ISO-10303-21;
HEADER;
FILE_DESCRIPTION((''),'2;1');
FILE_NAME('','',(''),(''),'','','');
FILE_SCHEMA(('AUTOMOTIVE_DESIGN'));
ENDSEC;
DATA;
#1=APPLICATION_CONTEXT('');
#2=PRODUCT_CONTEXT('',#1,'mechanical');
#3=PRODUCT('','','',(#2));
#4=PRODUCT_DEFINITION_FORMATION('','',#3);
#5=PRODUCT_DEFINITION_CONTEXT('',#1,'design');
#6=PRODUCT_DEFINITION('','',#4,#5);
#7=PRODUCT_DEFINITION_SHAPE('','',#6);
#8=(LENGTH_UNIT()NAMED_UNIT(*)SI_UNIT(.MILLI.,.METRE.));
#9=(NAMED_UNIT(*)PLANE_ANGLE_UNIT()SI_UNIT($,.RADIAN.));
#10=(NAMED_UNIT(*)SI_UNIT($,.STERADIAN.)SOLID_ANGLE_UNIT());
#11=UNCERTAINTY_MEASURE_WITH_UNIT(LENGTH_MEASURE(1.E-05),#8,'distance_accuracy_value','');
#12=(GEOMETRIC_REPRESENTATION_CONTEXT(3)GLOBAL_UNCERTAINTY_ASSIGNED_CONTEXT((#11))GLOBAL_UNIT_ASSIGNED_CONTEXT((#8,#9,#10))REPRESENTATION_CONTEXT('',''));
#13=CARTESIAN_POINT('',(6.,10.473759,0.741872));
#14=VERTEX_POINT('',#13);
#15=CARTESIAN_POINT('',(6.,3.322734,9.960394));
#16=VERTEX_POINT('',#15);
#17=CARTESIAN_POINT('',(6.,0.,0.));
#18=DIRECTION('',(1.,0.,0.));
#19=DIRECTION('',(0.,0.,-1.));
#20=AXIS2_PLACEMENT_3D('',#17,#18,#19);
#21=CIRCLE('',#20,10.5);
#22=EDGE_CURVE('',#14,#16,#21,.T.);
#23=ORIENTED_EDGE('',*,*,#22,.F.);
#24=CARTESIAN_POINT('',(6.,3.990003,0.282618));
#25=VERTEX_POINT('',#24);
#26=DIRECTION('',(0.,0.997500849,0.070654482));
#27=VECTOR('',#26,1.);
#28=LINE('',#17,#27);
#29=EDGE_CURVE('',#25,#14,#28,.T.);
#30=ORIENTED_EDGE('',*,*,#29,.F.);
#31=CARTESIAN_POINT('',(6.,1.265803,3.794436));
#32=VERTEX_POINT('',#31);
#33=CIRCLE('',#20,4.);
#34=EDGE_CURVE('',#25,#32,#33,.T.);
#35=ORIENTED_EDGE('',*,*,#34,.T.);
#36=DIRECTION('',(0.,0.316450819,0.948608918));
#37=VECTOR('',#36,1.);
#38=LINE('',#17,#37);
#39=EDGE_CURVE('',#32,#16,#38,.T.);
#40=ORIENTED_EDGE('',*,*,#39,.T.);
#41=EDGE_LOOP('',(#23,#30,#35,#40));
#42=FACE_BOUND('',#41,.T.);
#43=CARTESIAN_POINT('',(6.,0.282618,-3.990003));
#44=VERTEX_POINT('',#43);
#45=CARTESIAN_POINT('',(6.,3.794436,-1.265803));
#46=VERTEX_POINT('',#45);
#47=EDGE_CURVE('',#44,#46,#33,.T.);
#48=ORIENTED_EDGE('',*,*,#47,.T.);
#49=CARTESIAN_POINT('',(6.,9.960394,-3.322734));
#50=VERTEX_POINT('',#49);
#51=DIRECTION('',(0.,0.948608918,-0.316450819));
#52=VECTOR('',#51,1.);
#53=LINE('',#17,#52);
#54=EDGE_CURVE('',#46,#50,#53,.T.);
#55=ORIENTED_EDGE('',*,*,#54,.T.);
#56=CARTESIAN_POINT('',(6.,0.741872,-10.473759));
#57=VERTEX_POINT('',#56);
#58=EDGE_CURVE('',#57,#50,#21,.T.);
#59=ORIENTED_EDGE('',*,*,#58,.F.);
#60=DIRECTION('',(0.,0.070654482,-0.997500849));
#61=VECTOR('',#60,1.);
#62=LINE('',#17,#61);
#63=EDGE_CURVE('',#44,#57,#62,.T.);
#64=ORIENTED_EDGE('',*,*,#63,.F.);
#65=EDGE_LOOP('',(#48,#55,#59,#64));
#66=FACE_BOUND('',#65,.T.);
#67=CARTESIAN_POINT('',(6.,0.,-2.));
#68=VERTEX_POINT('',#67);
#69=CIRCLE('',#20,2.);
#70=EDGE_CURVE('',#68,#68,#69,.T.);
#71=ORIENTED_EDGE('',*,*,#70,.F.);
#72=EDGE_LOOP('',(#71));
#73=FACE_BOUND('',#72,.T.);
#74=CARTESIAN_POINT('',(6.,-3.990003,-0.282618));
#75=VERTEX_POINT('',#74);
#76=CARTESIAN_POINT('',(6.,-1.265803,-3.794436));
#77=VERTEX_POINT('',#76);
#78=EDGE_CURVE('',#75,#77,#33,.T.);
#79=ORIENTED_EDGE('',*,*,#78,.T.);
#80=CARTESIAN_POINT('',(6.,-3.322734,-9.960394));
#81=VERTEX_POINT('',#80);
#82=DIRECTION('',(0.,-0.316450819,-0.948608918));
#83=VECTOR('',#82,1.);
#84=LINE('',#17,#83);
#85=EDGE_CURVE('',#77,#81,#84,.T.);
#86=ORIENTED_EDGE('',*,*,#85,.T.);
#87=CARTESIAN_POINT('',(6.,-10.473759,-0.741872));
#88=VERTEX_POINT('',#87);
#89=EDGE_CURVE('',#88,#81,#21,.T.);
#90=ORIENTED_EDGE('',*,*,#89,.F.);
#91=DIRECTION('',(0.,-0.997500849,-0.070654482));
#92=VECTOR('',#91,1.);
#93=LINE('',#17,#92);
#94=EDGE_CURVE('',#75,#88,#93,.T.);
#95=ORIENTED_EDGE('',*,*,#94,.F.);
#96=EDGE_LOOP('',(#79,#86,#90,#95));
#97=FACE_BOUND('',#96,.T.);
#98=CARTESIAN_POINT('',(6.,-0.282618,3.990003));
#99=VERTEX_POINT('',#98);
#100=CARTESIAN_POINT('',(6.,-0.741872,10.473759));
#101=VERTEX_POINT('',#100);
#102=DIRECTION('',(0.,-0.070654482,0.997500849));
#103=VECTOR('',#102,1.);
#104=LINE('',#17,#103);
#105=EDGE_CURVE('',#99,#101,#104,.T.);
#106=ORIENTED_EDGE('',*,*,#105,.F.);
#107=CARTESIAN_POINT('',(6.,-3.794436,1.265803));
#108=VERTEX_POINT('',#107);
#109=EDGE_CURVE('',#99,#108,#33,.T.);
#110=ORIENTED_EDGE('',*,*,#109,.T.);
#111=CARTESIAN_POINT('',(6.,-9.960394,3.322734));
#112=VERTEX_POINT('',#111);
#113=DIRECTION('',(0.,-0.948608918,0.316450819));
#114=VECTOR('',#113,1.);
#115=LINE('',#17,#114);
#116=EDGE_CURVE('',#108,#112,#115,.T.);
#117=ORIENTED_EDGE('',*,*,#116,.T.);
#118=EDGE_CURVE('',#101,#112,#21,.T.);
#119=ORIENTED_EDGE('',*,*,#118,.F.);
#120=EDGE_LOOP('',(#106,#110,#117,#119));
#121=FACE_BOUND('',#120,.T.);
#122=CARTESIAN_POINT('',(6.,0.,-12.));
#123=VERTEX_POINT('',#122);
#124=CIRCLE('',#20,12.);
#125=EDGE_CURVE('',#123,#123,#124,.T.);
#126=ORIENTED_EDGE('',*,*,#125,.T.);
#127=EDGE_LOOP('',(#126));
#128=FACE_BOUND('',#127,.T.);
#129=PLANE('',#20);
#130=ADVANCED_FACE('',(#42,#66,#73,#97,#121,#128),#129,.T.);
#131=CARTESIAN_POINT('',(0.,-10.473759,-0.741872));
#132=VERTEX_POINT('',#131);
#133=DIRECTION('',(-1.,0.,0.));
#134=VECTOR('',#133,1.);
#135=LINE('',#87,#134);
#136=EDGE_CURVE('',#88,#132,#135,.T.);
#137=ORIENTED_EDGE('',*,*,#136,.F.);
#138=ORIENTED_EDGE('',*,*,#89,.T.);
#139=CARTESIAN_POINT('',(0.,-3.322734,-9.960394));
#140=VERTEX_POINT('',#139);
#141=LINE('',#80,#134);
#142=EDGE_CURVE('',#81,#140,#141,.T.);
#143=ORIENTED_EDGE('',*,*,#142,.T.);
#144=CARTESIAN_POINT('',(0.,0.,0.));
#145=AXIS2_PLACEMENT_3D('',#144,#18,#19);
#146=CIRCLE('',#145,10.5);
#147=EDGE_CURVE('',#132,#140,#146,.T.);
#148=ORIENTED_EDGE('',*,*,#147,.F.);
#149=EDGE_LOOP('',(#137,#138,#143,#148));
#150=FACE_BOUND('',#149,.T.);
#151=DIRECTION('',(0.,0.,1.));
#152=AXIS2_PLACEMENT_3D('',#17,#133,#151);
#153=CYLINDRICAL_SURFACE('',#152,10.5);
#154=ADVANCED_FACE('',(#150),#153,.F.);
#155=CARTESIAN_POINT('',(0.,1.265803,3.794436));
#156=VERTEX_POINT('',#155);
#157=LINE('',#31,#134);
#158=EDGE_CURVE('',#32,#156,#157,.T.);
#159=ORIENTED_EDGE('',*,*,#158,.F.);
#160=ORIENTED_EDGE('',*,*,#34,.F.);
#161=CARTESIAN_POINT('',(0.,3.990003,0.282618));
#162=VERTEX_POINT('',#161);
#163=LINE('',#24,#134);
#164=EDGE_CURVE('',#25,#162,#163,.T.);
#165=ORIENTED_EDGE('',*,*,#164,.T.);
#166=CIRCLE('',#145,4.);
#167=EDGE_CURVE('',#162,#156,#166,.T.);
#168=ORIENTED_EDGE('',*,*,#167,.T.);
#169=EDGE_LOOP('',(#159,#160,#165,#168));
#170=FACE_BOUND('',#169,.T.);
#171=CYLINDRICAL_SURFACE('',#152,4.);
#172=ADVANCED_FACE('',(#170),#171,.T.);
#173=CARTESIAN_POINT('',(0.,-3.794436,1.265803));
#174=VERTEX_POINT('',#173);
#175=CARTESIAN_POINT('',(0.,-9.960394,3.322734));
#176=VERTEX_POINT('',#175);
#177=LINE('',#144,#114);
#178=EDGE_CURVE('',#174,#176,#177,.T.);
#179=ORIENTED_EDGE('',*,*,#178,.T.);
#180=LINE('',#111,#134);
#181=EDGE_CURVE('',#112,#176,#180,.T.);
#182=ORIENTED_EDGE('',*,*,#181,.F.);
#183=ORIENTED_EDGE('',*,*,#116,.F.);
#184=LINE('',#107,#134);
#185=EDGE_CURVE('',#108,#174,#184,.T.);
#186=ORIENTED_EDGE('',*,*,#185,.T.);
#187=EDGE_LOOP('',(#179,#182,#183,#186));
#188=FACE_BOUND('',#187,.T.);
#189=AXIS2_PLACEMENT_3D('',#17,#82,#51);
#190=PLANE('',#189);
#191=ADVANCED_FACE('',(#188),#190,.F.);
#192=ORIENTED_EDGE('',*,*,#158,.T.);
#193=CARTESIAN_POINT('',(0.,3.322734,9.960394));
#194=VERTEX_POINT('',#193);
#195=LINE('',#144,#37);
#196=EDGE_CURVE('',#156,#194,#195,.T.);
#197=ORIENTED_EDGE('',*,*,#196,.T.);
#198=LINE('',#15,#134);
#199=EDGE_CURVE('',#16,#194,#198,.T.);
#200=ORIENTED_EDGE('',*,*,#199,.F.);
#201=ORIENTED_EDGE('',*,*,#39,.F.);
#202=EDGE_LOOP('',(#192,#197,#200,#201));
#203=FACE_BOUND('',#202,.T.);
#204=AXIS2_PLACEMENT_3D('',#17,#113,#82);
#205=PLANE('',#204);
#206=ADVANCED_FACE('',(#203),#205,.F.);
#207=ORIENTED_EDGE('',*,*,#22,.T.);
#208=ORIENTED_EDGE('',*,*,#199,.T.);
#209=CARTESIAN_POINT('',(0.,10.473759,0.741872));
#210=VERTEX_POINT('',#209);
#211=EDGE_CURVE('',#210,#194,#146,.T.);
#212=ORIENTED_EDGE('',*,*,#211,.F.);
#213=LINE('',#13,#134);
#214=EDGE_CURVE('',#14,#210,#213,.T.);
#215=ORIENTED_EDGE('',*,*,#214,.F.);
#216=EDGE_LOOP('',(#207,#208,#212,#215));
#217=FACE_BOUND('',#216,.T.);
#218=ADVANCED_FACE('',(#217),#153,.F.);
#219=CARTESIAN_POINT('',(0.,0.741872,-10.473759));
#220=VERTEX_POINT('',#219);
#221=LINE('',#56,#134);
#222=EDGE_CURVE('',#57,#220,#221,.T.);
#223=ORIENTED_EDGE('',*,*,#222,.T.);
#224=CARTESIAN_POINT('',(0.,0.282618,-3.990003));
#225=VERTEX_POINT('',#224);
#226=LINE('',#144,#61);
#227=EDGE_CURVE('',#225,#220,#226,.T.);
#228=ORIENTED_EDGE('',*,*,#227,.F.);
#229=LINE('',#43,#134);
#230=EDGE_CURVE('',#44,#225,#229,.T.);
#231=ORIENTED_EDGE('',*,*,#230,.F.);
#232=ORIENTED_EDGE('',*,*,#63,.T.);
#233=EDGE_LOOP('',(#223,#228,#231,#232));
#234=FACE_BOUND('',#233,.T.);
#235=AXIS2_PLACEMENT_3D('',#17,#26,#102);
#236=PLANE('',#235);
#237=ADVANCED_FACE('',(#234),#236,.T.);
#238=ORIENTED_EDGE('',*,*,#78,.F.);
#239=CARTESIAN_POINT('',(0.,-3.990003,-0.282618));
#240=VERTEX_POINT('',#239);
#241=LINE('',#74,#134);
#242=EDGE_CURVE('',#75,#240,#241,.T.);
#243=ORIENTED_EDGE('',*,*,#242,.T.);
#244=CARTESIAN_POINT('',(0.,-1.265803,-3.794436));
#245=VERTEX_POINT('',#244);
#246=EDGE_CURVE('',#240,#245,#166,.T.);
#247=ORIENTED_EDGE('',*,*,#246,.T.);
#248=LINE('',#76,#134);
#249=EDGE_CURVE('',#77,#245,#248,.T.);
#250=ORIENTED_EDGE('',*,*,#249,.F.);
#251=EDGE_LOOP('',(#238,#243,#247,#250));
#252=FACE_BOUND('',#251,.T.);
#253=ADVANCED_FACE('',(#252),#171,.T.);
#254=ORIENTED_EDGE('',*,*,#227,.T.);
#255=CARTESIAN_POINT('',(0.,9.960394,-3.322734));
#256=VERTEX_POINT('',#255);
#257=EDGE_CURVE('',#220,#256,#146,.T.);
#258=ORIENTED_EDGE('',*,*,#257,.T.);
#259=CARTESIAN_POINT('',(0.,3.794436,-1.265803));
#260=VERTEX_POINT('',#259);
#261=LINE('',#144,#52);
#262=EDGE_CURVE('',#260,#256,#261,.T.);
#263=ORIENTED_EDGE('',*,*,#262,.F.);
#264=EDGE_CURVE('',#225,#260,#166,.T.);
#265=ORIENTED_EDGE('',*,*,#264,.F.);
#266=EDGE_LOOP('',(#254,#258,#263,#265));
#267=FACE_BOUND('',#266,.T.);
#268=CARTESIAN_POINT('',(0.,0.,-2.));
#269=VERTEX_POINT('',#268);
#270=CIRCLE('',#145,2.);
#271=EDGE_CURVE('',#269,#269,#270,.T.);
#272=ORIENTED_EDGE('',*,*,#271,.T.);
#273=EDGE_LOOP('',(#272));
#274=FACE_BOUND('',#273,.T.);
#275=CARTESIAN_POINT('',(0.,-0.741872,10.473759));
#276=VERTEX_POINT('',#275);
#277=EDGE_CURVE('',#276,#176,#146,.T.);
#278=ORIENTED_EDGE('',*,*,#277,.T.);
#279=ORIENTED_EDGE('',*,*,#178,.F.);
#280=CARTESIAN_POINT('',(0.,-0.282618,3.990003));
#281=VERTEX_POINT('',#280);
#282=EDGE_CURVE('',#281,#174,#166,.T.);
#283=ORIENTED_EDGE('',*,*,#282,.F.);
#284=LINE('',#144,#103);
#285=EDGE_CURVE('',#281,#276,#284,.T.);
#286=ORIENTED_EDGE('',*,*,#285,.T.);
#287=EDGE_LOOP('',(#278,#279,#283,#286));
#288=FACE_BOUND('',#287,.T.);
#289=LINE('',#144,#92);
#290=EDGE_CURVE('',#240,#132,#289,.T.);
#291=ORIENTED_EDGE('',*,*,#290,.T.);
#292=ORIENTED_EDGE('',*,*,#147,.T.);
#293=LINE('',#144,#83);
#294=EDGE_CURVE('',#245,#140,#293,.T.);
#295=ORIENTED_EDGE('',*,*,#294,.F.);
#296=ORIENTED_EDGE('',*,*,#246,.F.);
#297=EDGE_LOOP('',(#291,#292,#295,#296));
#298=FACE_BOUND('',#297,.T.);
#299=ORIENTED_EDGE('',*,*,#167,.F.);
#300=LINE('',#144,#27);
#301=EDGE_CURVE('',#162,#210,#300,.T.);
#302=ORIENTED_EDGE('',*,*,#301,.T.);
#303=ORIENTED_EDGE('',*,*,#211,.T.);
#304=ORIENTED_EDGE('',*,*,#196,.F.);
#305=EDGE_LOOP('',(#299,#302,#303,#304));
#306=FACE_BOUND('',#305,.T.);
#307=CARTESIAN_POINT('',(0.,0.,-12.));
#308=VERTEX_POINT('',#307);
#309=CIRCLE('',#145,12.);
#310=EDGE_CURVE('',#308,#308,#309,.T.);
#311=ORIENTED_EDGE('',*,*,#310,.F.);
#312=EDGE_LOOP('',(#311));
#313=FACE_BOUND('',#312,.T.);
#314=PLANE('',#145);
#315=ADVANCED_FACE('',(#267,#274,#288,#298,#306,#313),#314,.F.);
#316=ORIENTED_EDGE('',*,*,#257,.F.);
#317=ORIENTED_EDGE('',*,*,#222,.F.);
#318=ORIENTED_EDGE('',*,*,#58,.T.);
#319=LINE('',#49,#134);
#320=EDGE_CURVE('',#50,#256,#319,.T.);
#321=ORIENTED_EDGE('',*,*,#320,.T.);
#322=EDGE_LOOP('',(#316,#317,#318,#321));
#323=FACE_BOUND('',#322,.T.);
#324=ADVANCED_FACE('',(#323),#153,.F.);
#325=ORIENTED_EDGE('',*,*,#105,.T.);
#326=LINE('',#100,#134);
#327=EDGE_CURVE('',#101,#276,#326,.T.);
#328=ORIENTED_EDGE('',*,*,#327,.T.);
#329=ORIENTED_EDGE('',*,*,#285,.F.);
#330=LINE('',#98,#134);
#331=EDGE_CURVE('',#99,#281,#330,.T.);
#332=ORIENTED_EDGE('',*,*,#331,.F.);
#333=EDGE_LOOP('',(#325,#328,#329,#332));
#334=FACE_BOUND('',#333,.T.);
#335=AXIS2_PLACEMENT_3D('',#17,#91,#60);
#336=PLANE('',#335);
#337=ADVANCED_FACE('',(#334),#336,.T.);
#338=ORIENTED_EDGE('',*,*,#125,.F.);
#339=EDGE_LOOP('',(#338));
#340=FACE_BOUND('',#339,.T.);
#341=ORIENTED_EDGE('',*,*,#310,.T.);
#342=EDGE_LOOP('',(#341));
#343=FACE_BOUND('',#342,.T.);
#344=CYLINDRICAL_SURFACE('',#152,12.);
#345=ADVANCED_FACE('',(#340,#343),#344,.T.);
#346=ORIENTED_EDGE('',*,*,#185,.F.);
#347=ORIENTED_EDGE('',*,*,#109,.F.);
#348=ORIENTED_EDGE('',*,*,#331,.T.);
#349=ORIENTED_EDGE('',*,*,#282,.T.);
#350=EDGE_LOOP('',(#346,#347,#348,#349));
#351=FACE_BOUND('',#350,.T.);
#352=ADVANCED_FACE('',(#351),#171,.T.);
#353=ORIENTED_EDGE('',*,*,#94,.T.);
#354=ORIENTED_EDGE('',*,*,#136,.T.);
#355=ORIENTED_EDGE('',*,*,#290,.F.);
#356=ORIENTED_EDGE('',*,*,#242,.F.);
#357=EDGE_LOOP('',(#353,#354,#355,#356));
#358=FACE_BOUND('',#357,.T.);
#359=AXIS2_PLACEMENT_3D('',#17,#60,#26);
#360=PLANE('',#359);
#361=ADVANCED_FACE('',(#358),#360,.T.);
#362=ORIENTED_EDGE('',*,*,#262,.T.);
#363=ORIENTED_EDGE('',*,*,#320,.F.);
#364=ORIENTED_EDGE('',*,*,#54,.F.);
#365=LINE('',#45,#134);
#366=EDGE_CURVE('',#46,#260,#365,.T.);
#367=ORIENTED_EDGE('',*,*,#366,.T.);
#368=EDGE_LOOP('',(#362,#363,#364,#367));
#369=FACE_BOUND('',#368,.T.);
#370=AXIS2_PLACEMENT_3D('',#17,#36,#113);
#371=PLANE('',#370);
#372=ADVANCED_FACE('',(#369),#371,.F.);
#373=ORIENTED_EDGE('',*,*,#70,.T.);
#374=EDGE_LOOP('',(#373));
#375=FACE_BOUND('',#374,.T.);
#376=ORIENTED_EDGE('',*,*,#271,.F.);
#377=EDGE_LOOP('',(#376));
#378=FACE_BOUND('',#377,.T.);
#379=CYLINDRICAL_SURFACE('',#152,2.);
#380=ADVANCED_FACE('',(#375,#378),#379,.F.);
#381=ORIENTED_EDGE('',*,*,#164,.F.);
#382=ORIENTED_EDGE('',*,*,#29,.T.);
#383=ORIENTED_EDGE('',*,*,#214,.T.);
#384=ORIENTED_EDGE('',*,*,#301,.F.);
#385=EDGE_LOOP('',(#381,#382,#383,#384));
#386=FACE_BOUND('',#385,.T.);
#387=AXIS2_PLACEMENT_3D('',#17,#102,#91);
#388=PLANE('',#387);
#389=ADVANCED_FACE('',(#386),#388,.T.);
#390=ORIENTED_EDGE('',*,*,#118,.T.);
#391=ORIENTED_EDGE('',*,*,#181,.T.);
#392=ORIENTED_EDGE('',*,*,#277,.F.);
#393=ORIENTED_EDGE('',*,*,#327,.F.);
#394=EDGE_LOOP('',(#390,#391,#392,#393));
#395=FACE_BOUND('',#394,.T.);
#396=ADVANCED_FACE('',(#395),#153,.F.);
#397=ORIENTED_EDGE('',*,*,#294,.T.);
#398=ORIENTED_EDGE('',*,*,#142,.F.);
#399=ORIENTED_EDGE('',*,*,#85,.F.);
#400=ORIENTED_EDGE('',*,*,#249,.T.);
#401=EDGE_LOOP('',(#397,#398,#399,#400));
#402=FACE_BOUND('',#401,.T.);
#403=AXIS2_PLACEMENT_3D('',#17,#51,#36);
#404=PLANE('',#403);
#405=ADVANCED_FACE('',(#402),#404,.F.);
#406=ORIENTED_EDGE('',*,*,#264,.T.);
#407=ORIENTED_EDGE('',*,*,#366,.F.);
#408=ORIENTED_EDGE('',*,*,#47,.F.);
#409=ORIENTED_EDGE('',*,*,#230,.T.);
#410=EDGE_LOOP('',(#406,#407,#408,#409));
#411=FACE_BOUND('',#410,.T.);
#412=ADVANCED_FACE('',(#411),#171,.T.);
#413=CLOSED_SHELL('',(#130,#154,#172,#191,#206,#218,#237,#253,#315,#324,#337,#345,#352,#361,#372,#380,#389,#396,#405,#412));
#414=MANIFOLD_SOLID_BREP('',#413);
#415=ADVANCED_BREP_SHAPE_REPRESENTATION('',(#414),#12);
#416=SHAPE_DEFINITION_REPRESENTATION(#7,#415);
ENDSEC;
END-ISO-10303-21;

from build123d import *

# Parameters (mm, degrees)
SKETCH_2_R          = 12
SKETCH_2_R_2        = 10.5
SKETCH_2_R_3        = 4
SKETCH_2_R_4        = 2
BOSS_EXTRUDE1_DEPTH = 6


with BuildPart() as part:
    # 草图2 → Boss-Extrude1 (new body)
    # profile 1 of 6: a face of its own
    with BuildSketch(Plane(origin=(0, 0, 0), x_dir=(0, 0, -1), z_dir=(1, 0, 0))):
        Circle(SKETCH_2_R)
        Circle(SKETCH_2_R_2, mode=Mode.SUBTRACT)
    # profile 2 of 6: a face of its own
    with BuildSketch(Plane(origin=(0, 0, 0), x_dir=(0, 0, -1), z_dir=(1, 0, 0))):
        with BuildLine():
            Line((-0.741872063, 10.473758917), (-0.282617929, 3.990003397))
            ThreePointArc((-0.282617929, 3.990003397), (0.501223543, 3.968472623), (1.265803275, 3.794435672))
            Line((1.265803275, 3.794435672), (3.322733597, 9.960393639))
            ThreePointArc((3.322733597, 9.960393639), (1.315711801, 10.417240635), (-0.741872063, 10.473758917))
        make_face()
    # profile 3 of 6: a face of its own
    with BuildSketch(Plane(origin=(0, 0, 0), x_dir=(0, 0, -1), z_dir=(1, 0, 0))):
        with BuildLine():
            Line((10.473758917, 0.741872063), (3.990003397, 0.282617929))
            ThreePointArc((3.990003397, 0.282617929), (3.997500068, 0.141397335), (4, 0))
            ThreePointArc((4, 0), (3.948274477, -0.64119315), (3.794435672, -1.265803275))
            Line((3.794435672, -1.265803275), (9.960393639, -3.322733597))
            ThreePointArc((9.960393639, -3.322733597), (10.364220502, -1.68313202), (10.5, 0))
            ThreePointArc((10.5, 0), (10.493437678, 0.371168005), (10.473758917, 0.741872063))
        make_face()
    # profile 4 of 6: a face of its own
    with BuildSketch(Plane(origin=(0, 0, 0), x_dir=(0, 0, -1), z_dir=(1, 0, 0))):
        with BuildLine():
            ThreePointArc((0.282617929, -3.990003397), (-0.501223543, -3.968472623), (-1.265803275, -3.794435672))
            Line((-1.265803275, -3.794435672), (-3.322733597, -9.960393639))
            ThreePointArc((-3.322733597, -9.960393639), (-1.315711801, -10.417240635), (0.741872063, -10.473758917))
            Line((0.741872063, -10.473758917), (0.282617929, -3.990003397))
        make_face()
    # profile 5 of 6: a face of its own
    with BuildSketch(Plane(origin=(0, 0, 0), x_dir=(0, 0, -1), z_dir=(1, 0, 0))):
        Circle(SKETCH_2_R_3)
        Circle(SKETCH_2_R_4, mode=Mode.SUBTRACT)
    # profile 6 of 6: a face of its own
    with BuildSketch(Plane(origin=(0, 0, 0), x_dir=(0, 0, -1), z_dir=(1, 0, 0))):
        with BuildLine():
            ThreePointArc((-3.990003397, -0.282617929), (-3.968472623, 0.501223543), (-3.794435672, 1.265803275))
            Line((-3.794435672, 1.265803275), (-9.960393639, 3.322733597))
            ThreePointArc((-9.960393639, 3.322733597), (-10.417240635, 1.315711801), (-10.473758917, -0.741872063))
            Line((-10.473758917, -0.741872063), (-3.990003397, -0.282617929))
        make_face()
    extrude(amount=BOSS_EXTRUDE1_DEPTH)


solid = part.part
